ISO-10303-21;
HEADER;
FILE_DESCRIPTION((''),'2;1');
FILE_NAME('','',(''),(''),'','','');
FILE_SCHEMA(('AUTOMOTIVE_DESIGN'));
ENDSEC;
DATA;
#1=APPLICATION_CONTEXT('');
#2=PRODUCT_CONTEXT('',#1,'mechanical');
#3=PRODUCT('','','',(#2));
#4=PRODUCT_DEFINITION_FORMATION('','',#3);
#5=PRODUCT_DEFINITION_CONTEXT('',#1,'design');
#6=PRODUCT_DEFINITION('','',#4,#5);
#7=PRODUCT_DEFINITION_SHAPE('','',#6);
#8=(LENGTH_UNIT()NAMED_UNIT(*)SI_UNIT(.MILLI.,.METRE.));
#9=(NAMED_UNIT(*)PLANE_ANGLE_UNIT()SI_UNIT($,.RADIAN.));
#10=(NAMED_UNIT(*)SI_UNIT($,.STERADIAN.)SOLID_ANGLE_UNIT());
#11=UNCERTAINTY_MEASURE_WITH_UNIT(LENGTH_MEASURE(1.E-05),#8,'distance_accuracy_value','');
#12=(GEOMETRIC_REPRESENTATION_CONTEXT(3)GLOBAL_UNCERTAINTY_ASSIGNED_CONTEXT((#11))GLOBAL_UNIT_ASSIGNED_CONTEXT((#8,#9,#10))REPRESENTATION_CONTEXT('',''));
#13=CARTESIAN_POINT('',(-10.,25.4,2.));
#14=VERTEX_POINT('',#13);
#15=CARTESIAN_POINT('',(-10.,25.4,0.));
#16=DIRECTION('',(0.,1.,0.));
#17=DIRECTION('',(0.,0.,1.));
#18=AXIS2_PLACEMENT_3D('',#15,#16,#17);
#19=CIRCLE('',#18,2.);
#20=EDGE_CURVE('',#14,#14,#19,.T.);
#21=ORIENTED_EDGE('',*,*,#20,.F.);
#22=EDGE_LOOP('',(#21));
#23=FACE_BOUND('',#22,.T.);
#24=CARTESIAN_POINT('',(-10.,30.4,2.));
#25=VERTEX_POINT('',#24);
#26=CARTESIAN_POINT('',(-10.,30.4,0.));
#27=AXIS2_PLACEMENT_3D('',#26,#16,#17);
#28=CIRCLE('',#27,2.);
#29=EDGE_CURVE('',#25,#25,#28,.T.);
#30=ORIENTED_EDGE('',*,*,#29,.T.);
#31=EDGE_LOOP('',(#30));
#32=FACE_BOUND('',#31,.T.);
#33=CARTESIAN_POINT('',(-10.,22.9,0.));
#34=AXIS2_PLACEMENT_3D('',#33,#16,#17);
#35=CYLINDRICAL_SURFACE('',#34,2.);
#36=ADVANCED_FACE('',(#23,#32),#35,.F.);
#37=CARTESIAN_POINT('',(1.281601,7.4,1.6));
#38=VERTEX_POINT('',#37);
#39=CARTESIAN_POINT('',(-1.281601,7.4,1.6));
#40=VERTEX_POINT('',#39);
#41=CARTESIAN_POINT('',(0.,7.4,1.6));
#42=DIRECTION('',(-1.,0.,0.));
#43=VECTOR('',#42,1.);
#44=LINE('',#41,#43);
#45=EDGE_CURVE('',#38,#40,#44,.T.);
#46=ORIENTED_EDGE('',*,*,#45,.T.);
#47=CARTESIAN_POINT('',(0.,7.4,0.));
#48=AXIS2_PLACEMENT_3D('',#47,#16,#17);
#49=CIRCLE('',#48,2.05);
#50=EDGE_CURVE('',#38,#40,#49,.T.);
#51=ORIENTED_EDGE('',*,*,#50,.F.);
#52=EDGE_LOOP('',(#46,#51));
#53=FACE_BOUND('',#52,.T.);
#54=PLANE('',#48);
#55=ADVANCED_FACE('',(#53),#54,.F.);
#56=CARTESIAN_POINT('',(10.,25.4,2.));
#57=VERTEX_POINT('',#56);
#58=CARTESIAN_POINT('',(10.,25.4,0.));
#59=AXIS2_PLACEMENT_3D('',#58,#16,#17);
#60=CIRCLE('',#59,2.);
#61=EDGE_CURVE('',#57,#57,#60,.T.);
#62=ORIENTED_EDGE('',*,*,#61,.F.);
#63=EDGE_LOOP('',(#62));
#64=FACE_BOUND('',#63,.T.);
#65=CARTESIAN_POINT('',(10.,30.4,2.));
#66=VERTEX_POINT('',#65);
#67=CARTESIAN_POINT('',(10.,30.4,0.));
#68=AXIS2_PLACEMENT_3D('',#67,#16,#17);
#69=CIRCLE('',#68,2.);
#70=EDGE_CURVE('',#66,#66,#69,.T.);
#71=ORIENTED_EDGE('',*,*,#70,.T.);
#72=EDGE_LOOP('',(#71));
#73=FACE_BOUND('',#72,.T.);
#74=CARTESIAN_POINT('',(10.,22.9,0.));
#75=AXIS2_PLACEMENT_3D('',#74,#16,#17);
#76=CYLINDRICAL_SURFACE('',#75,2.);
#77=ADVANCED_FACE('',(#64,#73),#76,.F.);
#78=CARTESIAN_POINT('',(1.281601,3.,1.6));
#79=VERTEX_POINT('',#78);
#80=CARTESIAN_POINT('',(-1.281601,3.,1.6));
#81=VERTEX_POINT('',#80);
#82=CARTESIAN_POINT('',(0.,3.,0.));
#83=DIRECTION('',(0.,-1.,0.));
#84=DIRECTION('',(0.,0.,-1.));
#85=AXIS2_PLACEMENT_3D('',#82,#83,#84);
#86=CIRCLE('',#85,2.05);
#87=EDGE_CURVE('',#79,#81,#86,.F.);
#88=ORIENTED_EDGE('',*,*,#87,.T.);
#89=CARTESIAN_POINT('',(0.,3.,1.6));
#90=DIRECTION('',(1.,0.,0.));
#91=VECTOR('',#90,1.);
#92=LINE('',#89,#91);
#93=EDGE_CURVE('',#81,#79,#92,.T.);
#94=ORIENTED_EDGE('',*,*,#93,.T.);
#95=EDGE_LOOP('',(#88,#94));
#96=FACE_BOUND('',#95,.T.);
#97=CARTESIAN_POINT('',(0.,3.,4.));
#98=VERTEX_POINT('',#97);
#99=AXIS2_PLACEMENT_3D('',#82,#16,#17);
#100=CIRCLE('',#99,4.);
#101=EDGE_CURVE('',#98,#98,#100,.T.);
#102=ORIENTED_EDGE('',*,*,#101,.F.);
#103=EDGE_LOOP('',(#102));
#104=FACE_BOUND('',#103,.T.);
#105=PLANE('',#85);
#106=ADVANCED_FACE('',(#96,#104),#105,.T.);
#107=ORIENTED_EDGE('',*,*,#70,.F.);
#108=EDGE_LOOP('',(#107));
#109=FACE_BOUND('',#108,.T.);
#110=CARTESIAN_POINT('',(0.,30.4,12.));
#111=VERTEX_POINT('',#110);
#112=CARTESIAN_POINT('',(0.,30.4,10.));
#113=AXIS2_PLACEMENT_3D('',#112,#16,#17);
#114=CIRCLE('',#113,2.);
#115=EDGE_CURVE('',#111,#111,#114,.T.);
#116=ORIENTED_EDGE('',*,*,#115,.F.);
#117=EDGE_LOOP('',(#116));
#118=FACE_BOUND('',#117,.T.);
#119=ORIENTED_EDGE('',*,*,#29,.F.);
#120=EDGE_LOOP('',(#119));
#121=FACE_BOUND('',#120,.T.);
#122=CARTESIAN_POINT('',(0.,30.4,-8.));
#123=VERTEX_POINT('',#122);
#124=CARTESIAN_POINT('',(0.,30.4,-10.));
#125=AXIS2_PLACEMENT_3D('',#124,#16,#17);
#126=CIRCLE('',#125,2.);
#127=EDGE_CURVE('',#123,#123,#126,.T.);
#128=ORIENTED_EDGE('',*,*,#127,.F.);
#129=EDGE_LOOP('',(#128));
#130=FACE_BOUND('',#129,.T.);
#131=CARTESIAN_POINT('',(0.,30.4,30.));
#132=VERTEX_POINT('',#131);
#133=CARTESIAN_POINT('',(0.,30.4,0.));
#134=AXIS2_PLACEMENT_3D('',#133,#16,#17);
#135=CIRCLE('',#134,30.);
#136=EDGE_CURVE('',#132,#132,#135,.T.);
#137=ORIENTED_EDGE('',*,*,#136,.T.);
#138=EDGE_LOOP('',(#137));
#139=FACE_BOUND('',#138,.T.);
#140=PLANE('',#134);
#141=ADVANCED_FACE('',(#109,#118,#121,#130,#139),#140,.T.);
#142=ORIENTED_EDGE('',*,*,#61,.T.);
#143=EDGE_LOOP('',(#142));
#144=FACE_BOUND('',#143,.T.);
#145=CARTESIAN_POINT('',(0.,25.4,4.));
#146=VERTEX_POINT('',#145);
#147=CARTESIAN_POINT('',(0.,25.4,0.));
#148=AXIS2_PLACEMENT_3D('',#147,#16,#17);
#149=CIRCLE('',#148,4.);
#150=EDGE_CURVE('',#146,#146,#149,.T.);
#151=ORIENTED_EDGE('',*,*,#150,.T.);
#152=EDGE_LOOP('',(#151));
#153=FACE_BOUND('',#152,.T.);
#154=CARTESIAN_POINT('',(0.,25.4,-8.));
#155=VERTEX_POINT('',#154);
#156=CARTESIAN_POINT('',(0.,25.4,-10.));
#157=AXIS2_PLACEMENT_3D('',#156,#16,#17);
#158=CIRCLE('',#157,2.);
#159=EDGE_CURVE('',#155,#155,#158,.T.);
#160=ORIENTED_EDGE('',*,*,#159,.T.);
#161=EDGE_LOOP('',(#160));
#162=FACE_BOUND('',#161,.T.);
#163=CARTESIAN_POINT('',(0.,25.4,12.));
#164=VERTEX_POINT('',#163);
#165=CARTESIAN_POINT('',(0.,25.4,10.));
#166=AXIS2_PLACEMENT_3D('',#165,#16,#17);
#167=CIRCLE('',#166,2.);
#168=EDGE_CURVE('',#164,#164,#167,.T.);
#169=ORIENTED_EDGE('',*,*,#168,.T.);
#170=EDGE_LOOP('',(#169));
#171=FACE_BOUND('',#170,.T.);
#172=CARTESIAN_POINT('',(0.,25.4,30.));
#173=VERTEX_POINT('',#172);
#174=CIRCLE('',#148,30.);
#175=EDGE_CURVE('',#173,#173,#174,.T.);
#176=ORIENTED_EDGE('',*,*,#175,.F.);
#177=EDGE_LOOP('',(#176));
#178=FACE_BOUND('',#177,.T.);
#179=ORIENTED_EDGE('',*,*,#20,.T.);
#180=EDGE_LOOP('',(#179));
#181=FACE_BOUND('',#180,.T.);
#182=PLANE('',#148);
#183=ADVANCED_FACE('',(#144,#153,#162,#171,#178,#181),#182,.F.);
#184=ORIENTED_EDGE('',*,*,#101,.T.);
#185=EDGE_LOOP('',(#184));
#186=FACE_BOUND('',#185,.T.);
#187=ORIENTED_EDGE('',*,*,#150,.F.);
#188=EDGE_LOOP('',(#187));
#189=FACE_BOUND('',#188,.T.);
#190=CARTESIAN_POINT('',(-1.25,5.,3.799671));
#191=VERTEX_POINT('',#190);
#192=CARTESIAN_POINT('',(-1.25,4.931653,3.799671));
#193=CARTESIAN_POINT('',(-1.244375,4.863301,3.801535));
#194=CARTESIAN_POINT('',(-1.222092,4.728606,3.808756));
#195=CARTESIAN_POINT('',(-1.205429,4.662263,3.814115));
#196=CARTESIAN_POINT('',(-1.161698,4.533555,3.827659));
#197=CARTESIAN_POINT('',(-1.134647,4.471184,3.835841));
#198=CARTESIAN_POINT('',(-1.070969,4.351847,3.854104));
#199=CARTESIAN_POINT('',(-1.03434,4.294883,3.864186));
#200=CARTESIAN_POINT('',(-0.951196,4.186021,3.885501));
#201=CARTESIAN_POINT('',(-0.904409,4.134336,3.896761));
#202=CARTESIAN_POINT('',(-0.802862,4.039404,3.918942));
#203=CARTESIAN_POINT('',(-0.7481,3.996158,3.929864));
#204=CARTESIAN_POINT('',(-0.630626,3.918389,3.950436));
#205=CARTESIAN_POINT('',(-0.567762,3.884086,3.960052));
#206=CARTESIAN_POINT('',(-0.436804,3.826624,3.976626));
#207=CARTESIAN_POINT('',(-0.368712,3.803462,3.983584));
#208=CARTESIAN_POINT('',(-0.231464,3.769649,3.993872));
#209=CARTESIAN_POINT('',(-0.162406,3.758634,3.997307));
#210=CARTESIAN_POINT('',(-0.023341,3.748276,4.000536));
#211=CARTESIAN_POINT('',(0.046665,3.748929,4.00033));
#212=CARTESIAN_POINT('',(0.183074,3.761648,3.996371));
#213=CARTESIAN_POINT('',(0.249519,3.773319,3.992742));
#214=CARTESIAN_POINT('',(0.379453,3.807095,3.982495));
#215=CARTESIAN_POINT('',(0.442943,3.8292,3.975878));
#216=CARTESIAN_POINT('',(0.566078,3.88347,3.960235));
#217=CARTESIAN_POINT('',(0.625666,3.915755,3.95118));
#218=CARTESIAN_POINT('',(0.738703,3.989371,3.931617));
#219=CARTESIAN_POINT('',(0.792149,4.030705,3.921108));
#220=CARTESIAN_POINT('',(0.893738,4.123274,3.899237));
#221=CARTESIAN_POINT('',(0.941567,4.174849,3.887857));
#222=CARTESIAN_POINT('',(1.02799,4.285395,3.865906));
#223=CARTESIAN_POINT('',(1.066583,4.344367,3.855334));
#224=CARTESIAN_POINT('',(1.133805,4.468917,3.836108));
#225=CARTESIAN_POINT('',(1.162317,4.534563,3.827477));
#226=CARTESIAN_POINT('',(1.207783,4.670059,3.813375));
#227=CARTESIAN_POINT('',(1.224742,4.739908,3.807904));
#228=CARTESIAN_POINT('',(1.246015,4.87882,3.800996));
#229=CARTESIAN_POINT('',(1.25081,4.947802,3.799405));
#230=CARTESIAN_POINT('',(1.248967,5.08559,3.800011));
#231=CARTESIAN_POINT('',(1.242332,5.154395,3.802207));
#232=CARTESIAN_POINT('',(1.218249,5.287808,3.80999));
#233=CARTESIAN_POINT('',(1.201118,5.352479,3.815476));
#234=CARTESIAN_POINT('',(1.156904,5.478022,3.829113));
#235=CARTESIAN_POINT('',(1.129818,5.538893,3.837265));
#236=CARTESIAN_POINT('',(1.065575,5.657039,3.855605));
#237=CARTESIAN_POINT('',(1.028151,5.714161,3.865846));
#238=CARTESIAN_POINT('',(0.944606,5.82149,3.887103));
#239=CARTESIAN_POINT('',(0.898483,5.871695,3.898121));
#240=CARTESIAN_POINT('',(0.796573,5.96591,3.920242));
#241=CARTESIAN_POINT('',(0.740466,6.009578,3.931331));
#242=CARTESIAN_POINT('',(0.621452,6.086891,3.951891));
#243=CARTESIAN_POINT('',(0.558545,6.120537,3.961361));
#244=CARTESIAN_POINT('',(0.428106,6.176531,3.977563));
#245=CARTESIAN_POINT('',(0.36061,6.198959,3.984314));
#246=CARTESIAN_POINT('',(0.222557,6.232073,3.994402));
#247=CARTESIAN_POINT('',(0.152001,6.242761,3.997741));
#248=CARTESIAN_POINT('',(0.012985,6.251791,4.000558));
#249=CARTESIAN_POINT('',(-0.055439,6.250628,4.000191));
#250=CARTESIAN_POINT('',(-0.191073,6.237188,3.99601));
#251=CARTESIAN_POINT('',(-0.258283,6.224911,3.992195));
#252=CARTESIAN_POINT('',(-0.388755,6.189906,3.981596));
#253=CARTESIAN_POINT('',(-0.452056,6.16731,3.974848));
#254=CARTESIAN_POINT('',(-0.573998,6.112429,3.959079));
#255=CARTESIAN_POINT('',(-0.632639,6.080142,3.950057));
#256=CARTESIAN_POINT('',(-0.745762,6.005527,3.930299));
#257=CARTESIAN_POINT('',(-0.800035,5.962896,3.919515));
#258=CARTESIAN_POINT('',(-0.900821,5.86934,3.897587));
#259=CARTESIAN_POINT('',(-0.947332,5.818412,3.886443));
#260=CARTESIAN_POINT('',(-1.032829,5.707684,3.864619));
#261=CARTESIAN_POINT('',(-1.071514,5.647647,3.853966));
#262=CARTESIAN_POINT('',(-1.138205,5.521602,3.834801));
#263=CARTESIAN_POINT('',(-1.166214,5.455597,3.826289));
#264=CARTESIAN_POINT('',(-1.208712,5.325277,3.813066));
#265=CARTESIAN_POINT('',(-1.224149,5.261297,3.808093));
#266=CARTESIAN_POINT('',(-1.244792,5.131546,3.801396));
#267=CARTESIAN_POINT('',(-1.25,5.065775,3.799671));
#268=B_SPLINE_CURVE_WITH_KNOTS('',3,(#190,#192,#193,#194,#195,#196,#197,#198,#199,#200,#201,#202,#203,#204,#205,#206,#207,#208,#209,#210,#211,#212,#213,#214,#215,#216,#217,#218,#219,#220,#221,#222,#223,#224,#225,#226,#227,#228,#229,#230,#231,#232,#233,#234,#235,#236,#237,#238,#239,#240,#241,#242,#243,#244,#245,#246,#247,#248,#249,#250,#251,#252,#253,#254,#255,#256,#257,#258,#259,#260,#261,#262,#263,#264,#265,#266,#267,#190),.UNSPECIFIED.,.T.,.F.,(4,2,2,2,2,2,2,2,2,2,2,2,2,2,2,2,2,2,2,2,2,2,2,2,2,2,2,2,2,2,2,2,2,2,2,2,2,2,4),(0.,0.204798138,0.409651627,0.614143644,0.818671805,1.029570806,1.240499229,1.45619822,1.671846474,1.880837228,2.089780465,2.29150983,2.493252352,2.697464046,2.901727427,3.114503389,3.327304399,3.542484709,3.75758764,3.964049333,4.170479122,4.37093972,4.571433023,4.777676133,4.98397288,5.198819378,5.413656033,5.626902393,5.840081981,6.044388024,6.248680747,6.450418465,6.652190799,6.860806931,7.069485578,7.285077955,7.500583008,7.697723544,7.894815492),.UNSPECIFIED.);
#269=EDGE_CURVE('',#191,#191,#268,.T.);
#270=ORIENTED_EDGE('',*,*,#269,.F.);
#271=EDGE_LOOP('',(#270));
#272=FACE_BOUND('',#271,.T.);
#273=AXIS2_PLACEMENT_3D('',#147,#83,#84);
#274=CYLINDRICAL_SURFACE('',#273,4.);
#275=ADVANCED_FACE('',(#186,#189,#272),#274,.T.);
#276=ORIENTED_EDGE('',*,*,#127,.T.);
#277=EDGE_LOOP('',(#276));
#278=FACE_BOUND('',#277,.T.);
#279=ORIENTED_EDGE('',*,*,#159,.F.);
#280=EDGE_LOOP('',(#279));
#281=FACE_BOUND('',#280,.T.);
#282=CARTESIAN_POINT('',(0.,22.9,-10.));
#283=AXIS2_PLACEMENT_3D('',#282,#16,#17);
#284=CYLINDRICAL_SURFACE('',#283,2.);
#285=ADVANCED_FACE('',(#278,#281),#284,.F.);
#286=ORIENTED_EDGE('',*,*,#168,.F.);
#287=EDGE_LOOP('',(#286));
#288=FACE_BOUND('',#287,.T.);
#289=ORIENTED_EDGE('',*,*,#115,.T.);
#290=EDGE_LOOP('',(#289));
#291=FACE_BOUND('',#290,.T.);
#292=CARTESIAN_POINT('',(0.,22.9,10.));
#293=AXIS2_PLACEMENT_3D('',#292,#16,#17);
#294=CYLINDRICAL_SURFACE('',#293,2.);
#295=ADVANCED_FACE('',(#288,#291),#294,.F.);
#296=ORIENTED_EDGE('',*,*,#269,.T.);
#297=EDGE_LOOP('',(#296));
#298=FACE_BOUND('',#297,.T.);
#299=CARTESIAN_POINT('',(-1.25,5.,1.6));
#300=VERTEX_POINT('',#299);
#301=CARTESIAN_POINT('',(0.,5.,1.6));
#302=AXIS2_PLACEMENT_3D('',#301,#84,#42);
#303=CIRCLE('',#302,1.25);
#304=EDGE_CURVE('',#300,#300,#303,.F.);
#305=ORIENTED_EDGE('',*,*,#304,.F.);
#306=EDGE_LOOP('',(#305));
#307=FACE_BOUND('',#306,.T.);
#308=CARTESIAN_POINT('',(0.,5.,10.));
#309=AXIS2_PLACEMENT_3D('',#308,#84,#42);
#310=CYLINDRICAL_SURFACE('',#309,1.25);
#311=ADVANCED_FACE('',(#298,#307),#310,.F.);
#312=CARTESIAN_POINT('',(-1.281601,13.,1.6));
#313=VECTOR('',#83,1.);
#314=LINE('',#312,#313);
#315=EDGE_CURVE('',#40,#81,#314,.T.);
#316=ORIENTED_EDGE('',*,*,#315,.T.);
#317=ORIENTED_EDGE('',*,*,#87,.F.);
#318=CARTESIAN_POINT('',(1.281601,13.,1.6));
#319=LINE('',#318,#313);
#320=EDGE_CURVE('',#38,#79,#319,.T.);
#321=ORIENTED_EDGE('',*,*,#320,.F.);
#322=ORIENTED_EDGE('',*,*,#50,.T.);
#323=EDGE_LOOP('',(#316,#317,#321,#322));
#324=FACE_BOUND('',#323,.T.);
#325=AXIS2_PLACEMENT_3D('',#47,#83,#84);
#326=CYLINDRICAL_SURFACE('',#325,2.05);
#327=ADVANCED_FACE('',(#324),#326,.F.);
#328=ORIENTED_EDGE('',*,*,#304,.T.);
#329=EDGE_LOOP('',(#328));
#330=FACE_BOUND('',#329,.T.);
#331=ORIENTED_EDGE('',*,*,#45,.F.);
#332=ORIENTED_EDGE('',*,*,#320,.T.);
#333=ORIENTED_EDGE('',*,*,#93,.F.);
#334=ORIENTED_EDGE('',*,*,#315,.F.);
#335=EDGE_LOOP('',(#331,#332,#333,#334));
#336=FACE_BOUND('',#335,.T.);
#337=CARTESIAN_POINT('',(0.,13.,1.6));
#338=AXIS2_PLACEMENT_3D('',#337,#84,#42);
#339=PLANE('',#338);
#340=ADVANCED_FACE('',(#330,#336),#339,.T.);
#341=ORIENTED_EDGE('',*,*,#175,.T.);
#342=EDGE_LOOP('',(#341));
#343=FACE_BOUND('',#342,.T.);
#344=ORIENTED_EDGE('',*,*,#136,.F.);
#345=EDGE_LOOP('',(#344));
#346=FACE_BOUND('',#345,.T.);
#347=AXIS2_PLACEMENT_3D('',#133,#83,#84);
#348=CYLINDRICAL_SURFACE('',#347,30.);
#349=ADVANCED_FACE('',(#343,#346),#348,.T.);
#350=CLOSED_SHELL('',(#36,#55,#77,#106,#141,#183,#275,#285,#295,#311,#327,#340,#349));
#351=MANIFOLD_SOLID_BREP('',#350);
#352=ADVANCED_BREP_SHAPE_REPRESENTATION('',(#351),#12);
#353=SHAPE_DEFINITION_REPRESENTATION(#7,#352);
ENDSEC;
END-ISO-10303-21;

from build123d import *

# Parameters (mm, degrees)
CROQUIS1_R              = 4
CROQUIS1_R_2            = 2.05
SALIENTE_EXTRUIR1_DEPTH = 25.4
CROQUIS2_R              = 30
SALIENTE_EXTRUIR2_DEPTH = 5
CROQUIS3_R              = 2
CORTAR_EXTRUIR1_DEPTH   = 7.5
CROQUIS7_R              = 3.5
CORTAR_EXTRUIR3_DEPTH   = 3
CROQUIS8_W              = 62.698346187
CROQUIS8_H              = 3
CORTAR_EXTRUIR5_DEPTH   = 15
CROQUIS1_3_R            = 2.05
CORTAR_EXTRUIR6_DEPTH   = 7.4
SALIENTE_EXTRUIR3_DEPTH = 10
CROQUIS6_R              = 1.25
CORTAR_EXTRUIR7_DEPTH   = 10


with BuildPart() as part:
    # Croquis1 → Saliente-Extruir1 (new body)
    with BuildSketch(Plane(origin=(0, 0, 0), x_dir=(1, 0, 0), z_dir=(0, 1, 0))):
        with Locations(Location((0, 0, 0), (0, 0, 270))):
            Circle(CROQUIS1_R)
        Circle(CROQUIS1_R_2, mode=Mode.SUBTRACT)
        Circle(CROQUIS1_R_2)
    extrude(amount=SALIENTE_EXTRUIR1_DEPTH)

    # Croquis2 → Saliente-Extruir2 (add)
    with BuildSketch(Plane(origin=(0, 25.4, 0), x_dir=(1, 0, 0), z_dir=(0, 1, 0))):
        with Locations(Location((0, 0, 0), (0, 0, 270))):
            Circle(CROQUIS2_R)
    extrude(amount=SALIENTE_EXTRUIR2_DEPTH)

    # Croquis3 → Cortar-Extruir1 (cut)
    with BuildSketch(Plane(origin=(0, 30.4, 0), x_dir=(1, 0, 0), z_dir=(0, 1, 0))):
        with Locations(Location((0, 10, 0), (0, 0, 270))):
            Circle(CROQUIS3_R)
        with Locations(Location((10, 0, 0), (0, 0, 270))):
            Circle(CROQUIS3_R)
        with Locations(Location((0, -10, 0), (0, 0, 270))):
            Circle(CROQUIS3_R)
        with Locations(Location((-10, 0, 0), (0, 0, 270))):
            Circle(CROQUIS3_R)
    extrude(amount=-CORTAR_EXTRUIR1_DEPTH, mode=Mode.SUBTRACT)

    # Croquis7 → Cortar-Extruir3 (cut)
    with BuildSketch(Plane.XZ):
        with Locations(Location((0, 0, 0), (0, 0, 270))):
            Circle(CROQUIS7_R)
    extrude(amount=-CORTAR_EXTRUIR3_DEPTH, mode=Mode.SUBTRACT)

    # Croquis8 → Cortar-Extruir5 (cut, symmetric)
    with BuildSketch(Plane(origin=(0, 0, 0), x_dir=(0, 0, -1), z_dir=(1, 0, 0))):
        with Locations((4.276742622, 1.5)):
            Rectangle(CROQUIS8_W, CROQUIS8_H)
    extrude(amount=CORTAR_EXTRUIR5_DEPTH, both=True, mode=Mode.SUBTRACT)

    # Croquis1<3> → Cortar-Extruir6 (cut)
    with BuildSketch(Plane(origin=(0, 0, 0), x_dir=(1, 0, 0), z_dir=(0, 1, 0))):
        with Locations(Location((0, 0, 0), (0, 0, 90))):
            Circle(CROQUIS1_3_R)
    extrude(amount=CORTAR_EXTRUIR6_DEPTH, mode=Mode.SUBTRACT)

    # Croquis9 → Saliente-Extruir3 (add)
    with BuildSketch(Plane.XZ.offset(-3)):
        with BuildLine():
            ThreePointArc((1.281600562, 1.6), (0, 2.05), (-1.281600562, 1.6))
            Line((-1.281600562, 1.6), (1.281600562, 1.6))
        make_face()
    extrude(amount=-SALIENTE_EXTRUIR3_DEPTH)

    # Croquis6 → Cortar-Extruir7 (cut)
    with BuildSketch(Plane.XY):
        with Locations(Location((0, 5, 0), (0, 0, 180))):
            Circle(CROQUIS6_R)
    extrude(amount=CORTAR_EXTRUIR7_DEPTH, mode=Mode.SUBTRACT)


solid = part.part
